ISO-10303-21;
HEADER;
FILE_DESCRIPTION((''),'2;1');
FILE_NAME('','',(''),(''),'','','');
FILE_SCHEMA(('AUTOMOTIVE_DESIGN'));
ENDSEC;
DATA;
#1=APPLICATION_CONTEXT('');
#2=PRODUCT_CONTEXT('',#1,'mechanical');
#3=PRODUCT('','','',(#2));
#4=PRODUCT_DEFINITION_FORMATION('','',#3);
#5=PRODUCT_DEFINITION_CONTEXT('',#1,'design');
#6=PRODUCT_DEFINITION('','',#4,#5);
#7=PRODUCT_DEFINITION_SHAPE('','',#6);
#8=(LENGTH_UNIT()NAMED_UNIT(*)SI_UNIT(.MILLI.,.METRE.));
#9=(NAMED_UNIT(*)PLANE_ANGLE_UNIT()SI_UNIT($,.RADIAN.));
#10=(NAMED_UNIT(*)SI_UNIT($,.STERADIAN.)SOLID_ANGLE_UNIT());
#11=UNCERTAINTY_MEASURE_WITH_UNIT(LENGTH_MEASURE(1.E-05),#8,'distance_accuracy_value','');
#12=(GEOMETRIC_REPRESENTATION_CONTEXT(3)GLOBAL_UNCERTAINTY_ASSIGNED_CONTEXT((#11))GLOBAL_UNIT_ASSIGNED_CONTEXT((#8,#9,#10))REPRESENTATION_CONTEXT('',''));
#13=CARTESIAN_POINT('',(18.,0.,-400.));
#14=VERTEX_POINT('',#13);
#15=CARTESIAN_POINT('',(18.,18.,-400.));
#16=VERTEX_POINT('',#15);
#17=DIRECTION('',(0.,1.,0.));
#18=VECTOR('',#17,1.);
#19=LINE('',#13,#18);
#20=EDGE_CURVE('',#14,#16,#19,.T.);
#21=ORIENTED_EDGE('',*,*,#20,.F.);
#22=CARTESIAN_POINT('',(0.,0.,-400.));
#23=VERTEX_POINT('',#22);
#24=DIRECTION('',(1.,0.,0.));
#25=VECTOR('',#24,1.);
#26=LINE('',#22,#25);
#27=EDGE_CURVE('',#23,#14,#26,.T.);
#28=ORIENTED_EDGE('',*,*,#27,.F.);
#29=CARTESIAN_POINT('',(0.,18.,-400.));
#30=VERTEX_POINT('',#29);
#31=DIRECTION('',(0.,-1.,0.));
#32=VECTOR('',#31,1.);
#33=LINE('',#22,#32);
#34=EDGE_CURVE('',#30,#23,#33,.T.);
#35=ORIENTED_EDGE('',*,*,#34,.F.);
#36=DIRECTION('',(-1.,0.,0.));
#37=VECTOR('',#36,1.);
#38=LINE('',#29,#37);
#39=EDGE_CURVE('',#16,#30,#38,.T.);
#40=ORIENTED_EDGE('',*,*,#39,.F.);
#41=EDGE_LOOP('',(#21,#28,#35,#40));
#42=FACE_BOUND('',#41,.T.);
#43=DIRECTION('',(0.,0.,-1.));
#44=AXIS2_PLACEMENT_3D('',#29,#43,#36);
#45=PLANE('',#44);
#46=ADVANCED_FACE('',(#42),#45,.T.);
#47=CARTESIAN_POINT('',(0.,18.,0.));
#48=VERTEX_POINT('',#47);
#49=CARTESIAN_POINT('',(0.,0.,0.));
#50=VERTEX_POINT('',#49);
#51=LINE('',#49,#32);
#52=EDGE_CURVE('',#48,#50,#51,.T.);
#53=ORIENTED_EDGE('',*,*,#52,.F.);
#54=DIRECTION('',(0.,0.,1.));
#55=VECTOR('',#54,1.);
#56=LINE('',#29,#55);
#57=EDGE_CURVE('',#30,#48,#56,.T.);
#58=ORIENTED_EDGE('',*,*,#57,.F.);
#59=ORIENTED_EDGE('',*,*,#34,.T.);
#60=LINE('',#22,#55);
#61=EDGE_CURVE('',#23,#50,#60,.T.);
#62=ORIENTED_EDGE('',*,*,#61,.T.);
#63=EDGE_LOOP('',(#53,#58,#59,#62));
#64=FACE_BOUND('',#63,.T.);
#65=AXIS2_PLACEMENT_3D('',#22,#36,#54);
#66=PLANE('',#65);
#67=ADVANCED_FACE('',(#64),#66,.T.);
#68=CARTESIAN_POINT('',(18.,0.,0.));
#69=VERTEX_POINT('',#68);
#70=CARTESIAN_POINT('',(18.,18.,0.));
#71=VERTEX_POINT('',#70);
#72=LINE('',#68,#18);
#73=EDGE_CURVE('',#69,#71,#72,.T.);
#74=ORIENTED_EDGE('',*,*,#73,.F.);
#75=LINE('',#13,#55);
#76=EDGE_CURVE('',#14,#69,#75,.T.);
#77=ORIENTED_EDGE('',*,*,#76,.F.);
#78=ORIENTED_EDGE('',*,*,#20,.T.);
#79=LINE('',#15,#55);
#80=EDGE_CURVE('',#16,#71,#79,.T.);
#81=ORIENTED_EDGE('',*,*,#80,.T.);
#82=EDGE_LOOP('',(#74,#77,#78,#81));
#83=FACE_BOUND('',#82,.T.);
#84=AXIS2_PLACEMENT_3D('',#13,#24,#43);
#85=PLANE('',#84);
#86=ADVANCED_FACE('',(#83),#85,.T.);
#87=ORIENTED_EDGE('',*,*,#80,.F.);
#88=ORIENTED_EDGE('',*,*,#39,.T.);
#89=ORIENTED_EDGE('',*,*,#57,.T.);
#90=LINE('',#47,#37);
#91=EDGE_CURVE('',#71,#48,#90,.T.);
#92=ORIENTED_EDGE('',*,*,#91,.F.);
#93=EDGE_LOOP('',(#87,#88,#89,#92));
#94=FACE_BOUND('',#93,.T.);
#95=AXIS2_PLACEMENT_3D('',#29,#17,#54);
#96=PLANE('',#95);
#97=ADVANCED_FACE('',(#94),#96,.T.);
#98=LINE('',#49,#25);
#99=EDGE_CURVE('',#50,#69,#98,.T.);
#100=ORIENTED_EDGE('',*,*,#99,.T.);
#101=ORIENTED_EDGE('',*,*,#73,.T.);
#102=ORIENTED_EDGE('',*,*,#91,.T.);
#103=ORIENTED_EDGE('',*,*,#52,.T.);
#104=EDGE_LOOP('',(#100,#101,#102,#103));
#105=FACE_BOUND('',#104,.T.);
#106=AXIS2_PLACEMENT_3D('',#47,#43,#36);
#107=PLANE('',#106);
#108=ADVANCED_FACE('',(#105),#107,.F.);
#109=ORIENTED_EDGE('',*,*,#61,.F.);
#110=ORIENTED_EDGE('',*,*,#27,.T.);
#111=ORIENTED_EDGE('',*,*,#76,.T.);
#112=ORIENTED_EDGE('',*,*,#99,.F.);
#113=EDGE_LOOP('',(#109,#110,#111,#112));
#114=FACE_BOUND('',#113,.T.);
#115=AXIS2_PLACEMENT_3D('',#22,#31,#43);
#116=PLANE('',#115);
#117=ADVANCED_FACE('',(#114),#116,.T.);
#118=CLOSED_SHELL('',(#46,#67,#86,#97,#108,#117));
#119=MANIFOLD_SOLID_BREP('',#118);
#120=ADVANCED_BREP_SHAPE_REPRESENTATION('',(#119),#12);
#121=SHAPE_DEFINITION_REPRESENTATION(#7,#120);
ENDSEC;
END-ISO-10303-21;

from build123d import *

# Parameters (mm, degrees)
ESQUISSE1_W      = 18
ESQUISSE1_H      = 18
EXTRUSION1_DEPTH = 400


with BuildPart() as part:
    # Esquisse1 → Extrusion1 (new body)
    with BuildSketch(Plane.XY):
        with Locations((9, 9)):
            Rectangle(ESQUISSE1_W, ESQUISSE1_H)
    extrude(amount=-EXTRUSION1_DEPTH)


solid = part.part
